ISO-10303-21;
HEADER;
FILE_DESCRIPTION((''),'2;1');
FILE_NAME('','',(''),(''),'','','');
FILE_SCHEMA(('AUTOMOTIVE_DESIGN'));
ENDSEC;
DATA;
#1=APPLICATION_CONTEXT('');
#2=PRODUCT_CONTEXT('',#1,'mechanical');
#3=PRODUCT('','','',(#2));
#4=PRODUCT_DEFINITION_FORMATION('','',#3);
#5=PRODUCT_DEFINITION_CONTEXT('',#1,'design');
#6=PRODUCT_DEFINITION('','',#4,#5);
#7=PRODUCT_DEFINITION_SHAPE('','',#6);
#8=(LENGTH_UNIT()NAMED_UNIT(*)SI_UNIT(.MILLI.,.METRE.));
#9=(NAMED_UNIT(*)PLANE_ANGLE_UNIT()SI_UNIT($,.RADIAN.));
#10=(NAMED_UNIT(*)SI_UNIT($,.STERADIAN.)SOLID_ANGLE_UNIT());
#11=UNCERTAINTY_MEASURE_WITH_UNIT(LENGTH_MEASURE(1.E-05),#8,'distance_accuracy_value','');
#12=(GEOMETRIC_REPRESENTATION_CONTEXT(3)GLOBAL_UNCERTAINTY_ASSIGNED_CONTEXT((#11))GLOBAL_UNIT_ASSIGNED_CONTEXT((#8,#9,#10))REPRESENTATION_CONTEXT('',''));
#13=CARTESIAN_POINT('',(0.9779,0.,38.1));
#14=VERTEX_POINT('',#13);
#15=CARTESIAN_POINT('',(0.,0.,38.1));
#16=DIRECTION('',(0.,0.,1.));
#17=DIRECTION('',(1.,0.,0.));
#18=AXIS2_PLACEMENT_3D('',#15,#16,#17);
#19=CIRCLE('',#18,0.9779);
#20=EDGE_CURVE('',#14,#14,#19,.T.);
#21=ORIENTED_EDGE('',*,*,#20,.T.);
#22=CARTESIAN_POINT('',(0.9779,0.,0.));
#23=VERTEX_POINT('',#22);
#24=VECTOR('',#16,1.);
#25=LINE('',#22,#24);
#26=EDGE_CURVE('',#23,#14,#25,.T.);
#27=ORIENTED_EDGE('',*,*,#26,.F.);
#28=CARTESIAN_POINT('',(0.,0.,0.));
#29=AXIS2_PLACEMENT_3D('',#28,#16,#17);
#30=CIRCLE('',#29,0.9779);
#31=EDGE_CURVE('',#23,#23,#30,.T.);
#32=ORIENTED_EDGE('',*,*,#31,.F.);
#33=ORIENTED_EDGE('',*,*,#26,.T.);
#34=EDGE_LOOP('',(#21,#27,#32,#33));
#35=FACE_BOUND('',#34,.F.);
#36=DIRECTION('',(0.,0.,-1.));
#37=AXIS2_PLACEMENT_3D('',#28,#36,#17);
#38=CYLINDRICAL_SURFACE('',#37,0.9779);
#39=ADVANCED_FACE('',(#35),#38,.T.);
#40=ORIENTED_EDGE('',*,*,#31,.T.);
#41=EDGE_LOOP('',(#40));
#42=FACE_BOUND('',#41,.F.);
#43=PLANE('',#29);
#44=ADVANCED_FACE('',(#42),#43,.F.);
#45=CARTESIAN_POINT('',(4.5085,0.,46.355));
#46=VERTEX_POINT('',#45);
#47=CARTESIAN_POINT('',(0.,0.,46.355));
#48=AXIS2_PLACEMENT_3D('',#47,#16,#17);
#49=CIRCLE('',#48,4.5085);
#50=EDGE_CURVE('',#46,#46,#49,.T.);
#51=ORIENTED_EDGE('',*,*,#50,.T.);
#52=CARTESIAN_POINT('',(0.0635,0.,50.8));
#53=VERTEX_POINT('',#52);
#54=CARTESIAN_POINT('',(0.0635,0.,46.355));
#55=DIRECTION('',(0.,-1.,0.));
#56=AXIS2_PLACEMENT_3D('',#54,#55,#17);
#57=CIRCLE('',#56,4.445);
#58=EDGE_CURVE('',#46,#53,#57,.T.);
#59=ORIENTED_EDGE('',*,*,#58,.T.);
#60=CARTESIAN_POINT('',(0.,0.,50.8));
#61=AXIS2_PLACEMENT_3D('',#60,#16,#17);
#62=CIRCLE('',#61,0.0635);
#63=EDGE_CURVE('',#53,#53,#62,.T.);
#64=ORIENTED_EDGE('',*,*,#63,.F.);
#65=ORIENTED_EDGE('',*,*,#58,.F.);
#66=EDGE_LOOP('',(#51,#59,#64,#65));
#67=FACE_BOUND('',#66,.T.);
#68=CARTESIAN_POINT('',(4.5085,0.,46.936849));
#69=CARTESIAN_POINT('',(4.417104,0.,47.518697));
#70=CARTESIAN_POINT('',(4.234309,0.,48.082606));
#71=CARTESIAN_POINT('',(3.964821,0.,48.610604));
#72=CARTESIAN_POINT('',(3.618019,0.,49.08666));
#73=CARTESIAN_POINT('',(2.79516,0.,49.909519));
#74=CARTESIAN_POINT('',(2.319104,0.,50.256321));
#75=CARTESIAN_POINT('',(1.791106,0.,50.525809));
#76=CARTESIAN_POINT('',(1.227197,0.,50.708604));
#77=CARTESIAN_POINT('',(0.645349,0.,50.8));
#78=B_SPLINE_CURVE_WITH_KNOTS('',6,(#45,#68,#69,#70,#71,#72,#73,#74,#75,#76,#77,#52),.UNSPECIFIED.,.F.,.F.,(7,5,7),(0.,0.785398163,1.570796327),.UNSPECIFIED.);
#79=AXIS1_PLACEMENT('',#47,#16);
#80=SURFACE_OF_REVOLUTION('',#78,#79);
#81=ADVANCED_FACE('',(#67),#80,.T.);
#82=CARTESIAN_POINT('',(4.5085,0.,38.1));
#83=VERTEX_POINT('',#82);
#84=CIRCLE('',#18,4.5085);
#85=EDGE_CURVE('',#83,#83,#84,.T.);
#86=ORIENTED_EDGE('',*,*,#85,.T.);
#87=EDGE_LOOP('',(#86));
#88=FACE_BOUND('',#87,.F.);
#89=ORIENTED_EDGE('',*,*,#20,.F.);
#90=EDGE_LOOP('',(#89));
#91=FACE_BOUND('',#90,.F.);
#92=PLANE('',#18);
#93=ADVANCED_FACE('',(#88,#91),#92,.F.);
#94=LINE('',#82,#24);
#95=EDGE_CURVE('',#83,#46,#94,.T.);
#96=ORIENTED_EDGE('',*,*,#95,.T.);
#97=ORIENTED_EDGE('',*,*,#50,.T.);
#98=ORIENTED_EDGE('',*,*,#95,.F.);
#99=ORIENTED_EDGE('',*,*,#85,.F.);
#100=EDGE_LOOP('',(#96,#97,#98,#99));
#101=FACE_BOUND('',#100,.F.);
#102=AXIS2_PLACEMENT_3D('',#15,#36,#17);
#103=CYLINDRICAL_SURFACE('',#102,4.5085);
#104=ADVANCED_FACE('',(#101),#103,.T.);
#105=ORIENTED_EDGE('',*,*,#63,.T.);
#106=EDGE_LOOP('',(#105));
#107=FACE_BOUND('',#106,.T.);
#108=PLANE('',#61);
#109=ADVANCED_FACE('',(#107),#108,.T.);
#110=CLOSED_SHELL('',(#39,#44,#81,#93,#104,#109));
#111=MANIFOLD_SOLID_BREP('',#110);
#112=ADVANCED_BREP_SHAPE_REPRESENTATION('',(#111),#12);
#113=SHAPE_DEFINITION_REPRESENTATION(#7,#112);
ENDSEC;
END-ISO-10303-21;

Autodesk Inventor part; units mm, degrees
ref_plane "YZ Plane" through (0, 0, 0) normal (1, 0, 0) x (0, 1, 0)
ref_plane "XZ Plane" through (0, 0, 0) normal (0, 1, 0) x (-1, 0, 0)
ref_plane "XY Plane" through (0, 0, 0) normal (0, 0, 1) x (1, 0, 0)
sketch "Sketch1" plane through (0, 0, 0) normal (0, 0, 1) x (1, 0, 0)
  circle A0 centre (0, 0) radius 0.9779
  dimension "d0" = 1.9558
extrude "Extrusion1" add sketch "Sketch1" along normal blind 38.1
sketch "Sketch2" plane through (0, 0, 38.1) normal (0, 0, 1) x (1, 0, 0)
  circle A0 centre (0, 0) radius 4.5085
  dimension "d3" = 9.017
extrude "Extrusion2" add sketch "Sketch2" along normal blind 12.7
fillet "Fillet1" radius 4.445 1 edges at (-4.5085, 0, 50.8)
properties part number "piston" material "Aluminum 6061"
